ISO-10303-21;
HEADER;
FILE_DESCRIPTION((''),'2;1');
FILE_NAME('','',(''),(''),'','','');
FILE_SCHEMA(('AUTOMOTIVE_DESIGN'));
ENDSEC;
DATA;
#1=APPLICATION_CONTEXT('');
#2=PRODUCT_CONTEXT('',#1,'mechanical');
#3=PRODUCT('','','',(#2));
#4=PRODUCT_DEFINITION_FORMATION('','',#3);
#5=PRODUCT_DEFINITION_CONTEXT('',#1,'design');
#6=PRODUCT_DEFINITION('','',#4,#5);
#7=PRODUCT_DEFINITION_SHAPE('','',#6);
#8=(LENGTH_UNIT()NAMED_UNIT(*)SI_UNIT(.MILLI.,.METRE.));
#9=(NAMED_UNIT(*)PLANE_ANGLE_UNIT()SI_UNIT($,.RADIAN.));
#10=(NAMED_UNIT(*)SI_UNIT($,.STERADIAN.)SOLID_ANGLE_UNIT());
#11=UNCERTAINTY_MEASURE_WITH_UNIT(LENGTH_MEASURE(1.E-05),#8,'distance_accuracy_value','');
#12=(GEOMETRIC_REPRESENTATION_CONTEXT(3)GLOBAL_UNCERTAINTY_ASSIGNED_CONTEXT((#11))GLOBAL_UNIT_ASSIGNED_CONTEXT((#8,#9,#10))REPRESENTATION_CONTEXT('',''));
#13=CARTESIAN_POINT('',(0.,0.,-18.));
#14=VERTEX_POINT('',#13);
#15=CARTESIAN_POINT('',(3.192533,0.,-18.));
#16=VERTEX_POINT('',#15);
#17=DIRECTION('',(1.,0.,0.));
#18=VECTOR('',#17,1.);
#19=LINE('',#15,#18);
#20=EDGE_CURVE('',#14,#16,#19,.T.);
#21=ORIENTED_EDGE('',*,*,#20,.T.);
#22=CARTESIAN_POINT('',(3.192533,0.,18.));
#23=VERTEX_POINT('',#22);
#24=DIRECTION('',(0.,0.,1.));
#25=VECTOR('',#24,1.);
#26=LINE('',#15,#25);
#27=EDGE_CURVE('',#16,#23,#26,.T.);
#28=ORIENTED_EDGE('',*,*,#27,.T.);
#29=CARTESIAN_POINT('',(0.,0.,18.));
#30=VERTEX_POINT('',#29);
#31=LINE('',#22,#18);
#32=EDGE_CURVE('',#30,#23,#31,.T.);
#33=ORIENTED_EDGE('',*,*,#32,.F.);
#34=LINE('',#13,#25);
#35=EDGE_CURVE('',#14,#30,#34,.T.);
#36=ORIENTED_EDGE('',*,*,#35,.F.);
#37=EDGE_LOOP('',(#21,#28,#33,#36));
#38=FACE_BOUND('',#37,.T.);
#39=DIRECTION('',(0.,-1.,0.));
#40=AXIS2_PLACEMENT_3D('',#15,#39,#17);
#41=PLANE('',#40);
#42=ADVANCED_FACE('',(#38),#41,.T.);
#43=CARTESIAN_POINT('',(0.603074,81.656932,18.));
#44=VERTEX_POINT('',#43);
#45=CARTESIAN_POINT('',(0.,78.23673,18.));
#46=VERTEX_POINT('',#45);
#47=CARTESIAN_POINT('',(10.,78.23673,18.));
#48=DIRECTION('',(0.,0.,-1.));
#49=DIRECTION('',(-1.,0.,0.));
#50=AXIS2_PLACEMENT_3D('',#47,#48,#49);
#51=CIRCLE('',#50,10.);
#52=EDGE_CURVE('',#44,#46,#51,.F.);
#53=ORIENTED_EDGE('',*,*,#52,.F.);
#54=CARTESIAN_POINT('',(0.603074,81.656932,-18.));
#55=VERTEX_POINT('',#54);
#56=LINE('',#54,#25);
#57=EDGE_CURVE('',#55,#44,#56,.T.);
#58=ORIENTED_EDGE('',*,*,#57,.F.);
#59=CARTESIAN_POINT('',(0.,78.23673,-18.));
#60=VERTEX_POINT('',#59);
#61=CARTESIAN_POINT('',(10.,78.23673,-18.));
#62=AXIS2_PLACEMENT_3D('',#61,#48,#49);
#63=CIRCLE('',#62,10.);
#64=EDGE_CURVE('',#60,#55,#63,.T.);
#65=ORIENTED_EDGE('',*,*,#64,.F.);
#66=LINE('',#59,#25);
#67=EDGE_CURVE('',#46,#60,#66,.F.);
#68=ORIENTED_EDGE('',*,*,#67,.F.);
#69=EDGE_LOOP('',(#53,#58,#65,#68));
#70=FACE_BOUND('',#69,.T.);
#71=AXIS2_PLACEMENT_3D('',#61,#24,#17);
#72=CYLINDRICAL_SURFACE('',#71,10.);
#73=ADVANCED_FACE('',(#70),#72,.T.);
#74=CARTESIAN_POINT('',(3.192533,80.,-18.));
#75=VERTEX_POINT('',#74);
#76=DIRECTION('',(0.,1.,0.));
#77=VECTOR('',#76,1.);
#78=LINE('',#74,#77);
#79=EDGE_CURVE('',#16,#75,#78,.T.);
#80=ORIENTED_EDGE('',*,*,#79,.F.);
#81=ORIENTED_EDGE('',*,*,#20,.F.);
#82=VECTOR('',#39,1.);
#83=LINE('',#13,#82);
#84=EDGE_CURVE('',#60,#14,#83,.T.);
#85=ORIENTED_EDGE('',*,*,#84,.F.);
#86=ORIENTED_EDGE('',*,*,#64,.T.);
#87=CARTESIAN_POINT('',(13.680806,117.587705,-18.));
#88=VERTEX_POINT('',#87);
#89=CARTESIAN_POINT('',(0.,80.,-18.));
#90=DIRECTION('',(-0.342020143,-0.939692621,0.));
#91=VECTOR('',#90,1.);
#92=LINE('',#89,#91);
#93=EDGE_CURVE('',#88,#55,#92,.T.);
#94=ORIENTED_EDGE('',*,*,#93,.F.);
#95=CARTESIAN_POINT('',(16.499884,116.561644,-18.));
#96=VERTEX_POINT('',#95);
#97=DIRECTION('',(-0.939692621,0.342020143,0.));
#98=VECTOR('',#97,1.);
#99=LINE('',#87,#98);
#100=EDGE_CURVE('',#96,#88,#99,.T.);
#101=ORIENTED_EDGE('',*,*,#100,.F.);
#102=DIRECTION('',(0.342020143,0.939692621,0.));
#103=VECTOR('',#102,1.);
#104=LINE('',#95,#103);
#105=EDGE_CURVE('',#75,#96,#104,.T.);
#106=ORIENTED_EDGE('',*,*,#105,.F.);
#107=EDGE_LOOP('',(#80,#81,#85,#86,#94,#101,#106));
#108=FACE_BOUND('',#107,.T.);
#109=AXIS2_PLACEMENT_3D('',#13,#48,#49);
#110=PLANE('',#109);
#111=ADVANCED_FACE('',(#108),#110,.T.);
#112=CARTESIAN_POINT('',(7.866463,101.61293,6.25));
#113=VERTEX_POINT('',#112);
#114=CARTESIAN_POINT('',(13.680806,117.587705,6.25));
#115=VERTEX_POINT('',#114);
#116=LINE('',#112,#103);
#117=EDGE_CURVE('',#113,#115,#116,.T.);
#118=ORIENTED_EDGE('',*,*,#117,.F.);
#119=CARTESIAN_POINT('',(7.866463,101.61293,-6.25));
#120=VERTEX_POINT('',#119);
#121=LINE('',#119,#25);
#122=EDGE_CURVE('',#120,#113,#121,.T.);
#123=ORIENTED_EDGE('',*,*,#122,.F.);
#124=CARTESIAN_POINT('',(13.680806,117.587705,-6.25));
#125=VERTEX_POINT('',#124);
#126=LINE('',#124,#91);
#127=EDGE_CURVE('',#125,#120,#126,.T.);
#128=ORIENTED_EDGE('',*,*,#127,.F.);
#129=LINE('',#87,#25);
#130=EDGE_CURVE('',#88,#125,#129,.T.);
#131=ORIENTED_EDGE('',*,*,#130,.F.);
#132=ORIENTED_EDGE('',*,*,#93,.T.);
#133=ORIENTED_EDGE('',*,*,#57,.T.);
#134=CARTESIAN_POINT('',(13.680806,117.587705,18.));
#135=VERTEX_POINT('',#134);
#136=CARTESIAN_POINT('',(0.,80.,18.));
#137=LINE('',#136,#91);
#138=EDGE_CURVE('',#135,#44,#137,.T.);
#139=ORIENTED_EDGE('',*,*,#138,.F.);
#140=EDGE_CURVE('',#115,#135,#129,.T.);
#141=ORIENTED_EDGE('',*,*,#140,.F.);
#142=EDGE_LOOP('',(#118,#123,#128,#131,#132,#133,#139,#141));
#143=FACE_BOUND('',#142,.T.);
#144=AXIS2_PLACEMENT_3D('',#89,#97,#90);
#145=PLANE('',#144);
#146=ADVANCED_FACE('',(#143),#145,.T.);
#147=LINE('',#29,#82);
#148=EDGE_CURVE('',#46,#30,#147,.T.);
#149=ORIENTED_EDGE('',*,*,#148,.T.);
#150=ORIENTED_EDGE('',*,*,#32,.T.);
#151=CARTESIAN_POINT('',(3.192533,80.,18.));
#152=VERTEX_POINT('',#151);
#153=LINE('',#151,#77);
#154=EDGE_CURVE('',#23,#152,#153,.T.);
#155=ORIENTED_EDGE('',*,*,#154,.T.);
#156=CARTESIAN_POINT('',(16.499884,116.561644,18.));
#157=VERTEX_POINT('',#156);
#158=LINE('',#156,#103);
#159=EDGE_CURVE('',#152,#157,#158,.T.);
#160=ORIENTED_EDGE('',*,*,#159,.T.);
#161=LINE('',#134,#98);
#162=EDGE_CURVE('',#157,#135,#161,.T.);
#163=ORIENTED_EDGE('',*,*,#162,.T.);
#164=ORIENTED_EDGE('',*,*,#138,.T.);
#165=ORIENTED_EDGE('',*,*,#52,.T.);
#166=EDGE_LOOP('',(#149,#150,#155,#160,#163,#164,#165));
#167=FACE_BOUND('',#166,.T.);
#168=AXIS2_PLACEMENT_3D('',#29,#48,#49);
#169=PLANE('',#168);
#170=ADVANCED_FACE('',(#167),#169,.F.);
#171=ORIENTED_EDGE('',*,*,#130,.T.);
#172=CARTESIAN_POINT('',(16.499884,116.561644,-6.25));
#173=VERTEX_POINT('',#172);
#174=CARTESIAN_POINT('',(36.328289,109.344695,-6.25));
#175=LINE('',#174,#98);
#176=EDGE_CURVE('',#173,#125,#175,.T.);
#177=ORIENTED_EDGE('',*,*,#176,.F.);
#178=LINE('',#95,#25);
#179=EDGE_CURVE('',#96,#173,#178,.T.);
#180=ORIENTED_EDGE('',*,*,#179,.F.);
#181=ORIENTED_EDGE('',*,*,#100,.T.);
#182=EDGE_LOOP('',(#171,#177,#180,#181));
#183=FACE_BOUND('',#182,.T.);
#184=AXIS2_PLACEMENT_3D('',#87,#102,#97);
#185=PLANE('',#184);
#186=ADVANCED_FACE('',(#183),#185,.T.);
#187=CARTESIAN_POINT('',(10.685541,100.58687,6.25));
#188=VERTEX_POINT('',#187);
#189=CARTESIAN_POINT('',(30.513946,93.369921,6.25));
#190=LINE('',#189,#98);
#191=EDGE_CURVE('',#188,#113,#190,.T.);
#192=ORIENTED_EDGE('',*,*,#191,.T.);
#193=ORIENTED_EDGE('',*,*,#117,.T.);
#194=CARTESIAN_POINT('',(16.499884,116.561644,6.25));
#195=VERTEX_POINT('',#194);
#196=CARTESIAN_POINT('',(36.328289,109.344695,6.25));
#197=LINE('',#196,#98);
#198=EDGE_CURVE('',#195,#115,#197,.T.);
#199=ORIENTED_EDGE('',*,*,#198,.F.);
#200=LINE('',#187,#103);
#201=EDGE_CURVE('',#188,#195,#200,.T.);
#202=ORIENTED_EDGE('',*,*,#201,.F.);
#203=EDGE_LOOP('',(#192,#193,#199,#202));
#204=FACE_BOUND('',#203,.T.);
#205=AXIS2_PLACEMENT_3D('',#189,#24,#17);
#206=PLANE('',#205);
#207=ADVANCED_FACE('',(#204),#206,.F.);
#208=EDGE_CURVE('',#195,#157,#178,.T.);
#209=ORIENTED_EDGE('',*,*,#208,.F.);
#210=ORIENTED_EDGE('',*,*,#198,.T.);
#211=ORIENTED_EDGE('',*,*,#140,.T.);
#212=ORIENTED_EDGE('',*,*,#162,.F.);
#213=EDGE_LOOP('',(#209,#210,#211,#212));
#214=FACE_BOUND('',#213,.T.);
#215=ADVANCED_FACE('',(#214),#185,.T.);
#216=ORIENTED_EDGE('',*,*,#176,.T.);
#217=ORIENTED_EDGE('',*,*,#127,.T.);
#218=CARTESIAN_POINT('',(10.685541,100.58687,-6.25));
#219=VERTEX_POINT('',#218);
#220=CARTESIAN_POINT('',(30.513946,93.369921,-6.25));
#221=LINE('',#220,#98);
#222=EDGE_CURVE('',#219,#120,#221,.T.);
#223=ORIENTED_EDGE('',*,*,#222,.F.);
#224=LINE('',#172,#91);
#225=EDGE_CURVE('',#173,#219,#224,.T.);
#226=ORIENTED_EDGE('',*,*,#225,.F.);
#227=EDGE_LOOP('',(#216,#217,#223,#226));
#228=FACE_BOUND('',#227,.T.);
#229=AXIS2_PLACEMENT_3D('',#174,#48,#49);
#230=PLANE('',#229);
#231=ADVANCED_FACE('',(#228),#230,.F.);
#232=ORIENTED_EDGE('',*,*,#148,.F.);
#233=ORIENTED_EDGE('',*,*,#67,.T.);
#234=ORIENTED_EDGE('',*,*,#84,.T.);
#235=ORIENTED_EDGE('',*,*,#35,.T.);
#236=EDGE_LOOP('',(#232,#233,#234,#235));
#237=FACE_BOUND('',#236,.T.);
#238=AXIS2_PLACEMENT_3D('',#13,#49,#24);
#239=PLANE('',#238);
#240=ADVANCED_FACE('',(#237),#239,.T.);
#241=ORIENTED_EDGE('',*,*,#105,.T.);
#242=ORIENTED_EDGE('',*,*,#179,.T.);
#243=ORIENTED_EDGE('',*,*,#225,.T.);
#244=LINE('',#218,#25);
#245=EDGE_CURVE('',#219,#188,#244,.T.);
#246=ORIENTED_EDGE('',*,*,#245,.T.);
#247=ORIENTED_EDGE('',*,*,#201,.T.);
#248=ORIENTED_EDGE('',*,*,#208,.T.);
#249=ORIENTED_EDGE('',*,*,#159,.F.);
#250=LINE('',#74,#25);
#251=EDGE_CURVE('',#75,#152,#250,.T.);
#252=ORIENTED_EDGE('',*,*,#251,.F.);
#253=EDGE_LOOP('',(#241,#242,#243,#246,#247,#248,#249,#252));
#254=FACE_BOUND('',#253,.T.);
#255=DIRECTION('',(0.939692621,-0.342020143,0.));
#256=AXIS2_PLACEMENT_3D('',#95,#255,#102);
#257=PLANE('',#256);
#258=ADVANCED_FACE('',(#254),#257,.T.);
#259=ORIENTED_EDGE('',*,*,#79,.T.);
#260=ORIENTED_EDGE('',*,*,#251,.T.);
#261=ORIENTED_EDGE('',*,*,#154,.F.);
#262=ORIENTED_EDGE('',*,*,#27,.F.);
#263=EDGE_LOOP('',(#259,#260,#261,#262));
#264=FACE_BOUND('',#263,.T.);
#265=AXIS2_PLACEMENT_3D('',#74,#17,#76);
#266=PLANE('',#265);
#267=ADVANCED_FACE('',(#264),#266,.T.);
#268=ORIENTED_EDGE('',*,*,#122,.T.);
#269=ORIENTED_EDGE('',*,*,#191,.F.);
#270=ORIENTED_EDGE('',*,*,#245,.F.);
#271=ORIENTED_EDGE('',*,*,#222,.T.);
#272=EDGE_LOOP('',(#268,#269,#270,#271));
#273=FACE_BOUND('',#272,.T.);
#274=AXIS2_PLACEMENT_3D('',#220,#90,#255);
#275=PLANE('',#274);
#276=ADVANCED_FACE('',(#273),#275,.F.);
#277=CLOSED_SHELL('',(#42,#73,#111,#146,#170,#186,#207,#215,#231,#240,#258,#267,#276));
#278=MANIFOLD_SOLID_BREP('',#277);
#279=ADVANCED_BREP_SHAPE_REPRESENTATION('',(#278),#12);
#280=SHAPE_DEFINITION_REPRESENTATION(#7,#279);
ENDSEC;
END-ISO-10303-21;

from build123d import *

# Parameters (mm, degrees)
BOSS_EXTRU_1_DEPTH      = 18
BOSS_EXTRU_1_DEPTH_BACK = 18
CONG_1_R                = 10
ESQUISSE2_W             = 12.5
ESQUISSE2_H             = 17
ENL_V_MAT_EXTRU_1_DEPTH = 3


with BuildPart() as part:
    # Esquisse1 → Boss.-Extru.1 (new, two sides: drawn at the far end of the back side and taken through both)
    with BuildSketch(Plane.XY.offset(-BOSS_EXTRU_1_DEPTH_BACK)):
        Polygon((0, 0), (0, 80), (13.680805733, 117.587704831), (16.499883595, 116.561644401), (3.192533317, 80), (3.192533317, 0), align=None)
    extrude(amount=BOSS_EXTRU_1_DEPTH + BOSS_EXTRU_1_DEPTH_BACK)

    # Congé1
    cong_1_edges = [part.edges().sort_by_distance(p)[0] for p in [
        (0, 80, 0),
    ]]
    fillet(cong_1_edges, radius=CONG_1_R)

    # Esquisse2 → Enlèv. mat.-Extru.1 (cut)
    with BuildSketch(Plane(origin=(-25.711504387, 9.358222275, 0), x_dir=(0, 0, 1), z_dir=(-0.9396926207859093, 0.34202014332566644, 0))):
        with Locations((0, 106.675409663)):
            Rectangle(ESQUISSE2_W, ESQUISSE2_H)
    extrude(amount=-ENL_V_MAT_EXTRU_1_DEPTH, mode=Mode.SUBTRACT)


solid = part.part
